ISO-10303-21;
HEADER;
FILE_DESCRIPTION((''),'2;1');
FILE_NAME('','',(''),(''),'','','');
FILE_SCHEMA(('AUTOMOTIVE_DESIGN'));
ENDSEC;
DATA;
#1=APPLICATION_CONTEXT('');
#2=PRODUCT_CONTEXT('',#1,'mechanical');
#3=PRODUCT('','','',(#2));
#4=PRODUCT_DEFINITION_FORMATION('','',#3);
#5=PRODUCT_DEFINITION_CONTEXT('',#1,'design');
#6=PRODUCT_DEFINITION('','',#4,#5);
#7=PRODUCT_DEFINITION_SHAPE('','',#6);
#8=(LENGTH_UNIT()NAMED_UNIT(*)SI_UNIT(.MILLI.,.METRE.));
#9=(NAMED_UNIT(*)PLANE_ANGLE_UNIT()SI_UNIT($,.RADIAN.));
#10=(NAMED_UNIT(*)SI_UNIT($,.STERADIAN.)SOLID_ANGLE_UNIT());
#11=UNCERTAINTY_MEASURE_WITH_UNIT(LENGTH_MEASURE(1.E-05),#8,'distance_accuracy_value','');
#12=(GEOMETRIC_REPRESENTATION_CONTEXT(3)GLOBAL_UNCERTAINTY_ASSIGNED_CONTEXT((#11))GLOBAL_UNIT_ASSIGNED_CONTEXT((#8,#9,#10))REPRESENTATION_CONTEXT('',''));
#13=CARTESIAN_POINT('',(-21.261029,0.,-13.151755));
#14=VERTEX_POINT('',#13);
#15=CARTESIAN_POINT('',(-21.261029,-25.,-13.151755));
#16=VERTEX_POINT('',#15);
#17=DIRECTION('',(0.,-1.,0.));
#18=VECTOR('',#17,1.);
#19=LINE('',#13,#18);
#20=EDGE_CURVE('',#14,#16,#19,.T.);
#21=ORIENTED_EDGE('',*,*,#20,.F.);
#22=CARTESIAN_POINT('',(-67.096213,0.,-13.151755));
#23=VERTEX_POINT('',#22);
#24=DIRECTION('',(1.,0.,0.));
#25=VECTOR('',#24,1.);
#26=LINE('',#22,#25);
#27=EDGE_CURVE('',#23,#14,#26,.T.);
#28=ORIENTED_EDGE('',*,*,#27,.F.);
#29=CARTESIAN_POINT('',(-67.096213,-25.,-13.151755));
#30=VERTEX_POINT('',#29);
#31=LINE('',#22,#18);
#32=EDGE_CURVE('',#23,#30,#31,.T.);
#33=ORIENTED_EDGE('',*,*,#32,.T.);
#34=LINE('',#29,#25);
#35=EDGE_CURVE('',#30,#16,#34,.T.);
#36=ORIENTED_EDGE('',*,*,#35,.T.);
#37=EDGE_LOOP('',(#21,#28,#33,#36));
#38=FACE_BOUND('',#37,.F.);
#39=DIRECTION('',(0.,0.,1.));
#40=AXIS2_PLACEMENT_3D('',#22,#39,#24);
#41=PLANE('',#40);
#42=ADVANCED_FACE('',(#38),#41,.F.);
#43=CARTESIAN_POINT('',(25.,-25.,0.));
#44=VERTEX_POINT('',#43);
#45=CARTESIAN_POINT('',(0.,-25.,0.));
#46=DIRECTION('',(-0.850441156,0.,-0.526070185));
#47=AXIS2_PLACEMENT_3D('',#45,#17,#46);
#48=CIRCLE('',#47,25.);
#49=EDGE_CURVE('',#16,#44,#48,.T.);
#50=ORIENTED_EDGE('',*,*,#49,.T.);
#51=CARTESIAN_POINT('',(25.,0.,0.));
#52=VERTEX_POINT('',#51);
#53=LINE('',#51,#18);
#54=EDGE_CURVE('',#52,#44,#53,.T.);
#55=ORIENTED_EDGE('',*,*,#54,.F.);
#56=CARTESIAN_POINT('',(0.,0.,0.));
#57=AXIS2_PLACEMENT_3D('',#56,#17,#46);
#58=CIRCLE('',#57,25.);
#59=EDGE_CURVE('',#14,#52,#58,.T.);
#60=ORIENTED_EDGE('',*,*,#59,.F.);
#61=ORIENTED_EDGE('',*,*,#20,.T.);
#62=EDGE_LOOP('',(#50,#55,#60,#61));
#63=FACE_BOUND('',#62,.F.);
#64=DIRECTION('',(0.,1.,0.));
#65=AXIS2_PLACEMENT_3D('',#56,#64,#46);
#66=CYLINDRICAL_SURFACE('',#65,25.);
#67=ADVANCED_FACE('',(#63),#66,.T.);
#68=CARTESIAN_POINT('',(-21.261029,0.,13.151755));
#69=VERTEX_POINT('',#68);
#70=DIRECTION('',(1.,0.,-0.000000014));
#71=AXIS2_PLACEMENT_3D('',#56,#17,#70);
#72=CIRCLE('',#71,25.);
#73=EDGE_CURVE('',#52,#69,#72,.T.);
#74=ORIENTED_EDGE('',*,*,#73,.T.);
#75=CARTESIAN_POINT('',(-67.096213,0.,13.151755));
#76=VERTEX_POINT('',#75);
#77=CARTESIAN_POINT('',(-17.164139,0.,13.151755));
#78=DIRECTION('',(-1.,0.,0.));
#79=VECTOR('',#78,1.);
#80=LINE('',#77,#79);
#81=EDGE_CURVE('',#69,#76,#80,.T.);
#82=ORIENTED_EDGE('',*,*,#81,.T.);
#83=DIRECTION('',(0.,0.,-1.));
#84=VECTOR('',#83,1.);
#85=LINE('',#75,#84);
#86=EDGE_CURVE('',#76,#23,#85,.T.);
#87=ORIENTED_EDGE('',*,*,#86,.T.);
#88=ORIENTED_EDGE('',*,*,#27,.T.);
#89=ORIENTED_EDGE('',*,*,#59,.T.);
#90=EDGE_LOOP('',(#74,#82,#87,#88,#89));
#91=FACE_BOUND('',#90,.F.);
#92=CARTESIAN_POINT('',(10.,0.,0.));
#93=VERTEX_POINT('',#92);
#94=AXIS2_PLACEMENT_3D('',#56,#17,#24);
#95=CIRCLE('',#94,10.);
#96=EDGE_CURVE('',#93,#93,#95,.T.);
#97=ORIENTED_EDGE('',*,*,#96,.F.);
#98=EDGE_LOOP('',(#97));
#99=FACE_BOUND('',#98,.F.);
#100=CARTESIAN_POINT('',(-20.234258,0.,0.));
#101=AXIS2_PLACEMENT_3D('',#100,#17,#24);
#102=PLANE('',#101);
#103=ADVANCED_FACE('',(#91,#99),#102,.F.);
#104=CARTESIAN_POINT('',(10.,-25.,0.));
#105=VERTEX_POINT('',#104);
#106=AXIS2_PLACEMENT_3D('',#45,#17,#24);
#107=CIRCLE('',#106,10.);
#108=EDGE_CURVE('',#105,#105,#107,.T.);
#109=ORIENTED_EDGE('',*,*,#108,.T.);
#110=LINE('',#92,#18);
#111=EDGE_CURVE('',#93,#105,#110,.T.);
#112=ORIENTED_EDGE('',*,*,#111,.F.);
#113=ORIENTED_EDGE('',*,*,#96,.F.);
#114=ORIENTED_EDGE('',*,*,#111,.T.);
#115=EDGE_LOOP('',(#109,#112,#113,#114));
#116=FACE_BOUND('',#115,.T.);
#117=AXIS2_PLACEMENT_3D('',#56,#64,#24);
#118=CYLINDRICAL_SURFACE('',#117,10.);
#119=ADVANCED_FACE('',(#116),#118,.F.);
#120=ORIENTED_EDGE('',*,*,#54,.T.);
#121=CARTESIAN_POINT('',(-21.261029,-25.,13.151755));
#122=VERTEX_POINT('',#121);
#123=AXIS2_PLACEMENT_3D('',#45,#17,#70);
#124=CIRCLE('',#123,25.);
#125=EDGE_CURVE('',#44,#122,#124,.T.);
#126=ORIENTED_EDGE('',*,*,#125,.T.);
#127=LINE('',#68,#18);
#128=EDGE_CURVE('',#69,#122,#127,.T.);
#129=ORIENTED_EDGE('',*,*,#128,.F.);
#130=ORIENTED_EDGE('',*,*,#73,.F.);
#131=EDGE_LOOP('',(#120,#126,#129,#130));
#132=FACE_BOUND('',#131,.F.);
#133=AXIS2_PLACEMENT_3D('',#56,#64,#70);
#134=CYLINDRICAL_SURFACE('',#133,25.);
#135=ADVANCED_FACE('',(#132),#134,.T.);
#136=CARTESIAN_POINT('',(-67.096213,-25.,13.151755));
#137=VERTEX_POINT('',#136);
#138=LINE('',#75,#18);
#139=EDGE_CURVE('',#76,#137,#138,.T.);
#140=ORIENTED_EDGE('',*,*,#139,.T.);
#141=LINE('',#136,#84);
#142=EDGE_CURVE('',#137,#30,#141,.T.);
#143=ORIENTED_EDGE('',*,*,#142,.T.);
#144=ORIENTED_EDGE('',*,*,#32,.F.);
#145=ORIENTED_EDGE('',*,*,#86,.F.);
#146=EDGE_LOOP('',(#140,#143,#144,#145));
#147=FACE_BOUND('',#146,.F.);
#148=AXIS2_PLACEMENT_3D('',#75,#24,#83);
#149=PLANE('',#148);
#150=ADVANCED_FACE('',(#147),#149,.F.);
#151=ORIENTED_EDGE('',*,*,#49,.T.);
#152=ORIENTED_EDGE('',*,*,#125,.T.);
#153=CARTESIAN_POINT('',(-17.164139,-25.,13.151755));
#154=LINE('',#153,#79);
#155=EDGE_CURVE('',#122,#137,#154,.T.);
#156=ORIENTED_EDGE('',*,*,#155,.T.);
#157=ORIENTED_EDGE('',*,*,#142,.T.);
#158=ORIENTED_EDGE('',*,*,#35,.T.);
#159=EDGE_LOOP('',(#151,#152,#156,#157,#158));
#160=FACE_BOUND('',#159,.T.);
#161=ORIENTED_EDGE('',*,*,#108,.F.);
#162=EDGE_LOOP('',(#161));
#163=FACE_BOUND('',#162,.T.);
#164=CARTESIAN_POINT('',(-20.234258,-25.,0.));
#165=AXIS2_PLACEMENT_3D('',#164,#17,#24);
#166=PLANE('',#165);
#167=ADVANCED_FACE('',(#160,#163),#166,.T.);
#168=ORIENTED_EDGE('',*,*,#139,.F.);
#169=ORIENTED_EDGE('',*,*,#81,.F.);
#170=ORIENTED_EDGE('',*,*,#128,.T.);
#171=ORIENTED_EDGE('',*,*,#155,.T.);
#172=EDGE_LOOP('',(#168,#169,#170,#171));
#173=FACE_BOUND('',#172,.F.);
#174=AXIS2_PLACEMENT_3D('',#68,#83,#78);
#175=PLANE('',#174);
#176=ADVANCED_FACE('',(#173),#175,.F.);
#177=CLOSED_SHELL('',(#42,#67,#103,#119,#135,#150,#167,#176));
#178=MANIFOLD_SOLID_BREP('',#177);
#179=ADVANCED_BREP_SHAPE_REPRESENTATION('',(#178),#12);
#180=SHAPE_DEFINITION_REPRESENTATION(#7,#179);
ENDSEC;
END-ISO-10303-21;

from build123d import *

# Parameters (mm, degrees)
F0_R     = 10
F1_DEPTH = 25


with BuildPart() as f1:
    # F0 (on Front) → F1 (new body)
    with BuildSketch(Plane.XZ):
        with BuildLine():
            Line((-17.164139, 13.151755), (-21.261029, 13.151755))
            ThreePointArc((-21.261029, 13.151755), (-25, 0), (-21.261029, -13.151755))
            Line((-21.261029, -13.151755), (-17.164139, -13.151755))
            Line((-17.164139, -13.151755), (-17.164139, 13.151755))
        make_face()
        with BuildLine():
            ThreePointArc((-21.261029, -13.151755), (-25, 0), (-21.261029, 13.151755))
            Line((-21.261029, 13.151755), (-67.096213, 13.151755))
            Line((-67.096213, 13.151755), (-67.096213, -13.151755))
            Line((-67.096213, -13.151755), (-21.261029, -13.151755))
        make_face()
        with BuildLine():
            ThreePointArc((-21.261029, -13.151755), (6.836457, -24.047097), (25, 0))
            ThreePointArc((25, 0), (6.836457, 24.047097), (-21.261029, 13.151755))
            Line((-21.261029, 13.151755), (-17.164139, 13.151755))
            Line((-17.164139, 13.151755), (-17.164139, -13.151755))
            Line((-17.164139, -13.151755), (-21.261029, -13.151755))
        make_face()
        Circle(F0_R, mode=Mode.SUBTRACT)
    extrude(amount=F1_DEPTH)


solid = f1.part
